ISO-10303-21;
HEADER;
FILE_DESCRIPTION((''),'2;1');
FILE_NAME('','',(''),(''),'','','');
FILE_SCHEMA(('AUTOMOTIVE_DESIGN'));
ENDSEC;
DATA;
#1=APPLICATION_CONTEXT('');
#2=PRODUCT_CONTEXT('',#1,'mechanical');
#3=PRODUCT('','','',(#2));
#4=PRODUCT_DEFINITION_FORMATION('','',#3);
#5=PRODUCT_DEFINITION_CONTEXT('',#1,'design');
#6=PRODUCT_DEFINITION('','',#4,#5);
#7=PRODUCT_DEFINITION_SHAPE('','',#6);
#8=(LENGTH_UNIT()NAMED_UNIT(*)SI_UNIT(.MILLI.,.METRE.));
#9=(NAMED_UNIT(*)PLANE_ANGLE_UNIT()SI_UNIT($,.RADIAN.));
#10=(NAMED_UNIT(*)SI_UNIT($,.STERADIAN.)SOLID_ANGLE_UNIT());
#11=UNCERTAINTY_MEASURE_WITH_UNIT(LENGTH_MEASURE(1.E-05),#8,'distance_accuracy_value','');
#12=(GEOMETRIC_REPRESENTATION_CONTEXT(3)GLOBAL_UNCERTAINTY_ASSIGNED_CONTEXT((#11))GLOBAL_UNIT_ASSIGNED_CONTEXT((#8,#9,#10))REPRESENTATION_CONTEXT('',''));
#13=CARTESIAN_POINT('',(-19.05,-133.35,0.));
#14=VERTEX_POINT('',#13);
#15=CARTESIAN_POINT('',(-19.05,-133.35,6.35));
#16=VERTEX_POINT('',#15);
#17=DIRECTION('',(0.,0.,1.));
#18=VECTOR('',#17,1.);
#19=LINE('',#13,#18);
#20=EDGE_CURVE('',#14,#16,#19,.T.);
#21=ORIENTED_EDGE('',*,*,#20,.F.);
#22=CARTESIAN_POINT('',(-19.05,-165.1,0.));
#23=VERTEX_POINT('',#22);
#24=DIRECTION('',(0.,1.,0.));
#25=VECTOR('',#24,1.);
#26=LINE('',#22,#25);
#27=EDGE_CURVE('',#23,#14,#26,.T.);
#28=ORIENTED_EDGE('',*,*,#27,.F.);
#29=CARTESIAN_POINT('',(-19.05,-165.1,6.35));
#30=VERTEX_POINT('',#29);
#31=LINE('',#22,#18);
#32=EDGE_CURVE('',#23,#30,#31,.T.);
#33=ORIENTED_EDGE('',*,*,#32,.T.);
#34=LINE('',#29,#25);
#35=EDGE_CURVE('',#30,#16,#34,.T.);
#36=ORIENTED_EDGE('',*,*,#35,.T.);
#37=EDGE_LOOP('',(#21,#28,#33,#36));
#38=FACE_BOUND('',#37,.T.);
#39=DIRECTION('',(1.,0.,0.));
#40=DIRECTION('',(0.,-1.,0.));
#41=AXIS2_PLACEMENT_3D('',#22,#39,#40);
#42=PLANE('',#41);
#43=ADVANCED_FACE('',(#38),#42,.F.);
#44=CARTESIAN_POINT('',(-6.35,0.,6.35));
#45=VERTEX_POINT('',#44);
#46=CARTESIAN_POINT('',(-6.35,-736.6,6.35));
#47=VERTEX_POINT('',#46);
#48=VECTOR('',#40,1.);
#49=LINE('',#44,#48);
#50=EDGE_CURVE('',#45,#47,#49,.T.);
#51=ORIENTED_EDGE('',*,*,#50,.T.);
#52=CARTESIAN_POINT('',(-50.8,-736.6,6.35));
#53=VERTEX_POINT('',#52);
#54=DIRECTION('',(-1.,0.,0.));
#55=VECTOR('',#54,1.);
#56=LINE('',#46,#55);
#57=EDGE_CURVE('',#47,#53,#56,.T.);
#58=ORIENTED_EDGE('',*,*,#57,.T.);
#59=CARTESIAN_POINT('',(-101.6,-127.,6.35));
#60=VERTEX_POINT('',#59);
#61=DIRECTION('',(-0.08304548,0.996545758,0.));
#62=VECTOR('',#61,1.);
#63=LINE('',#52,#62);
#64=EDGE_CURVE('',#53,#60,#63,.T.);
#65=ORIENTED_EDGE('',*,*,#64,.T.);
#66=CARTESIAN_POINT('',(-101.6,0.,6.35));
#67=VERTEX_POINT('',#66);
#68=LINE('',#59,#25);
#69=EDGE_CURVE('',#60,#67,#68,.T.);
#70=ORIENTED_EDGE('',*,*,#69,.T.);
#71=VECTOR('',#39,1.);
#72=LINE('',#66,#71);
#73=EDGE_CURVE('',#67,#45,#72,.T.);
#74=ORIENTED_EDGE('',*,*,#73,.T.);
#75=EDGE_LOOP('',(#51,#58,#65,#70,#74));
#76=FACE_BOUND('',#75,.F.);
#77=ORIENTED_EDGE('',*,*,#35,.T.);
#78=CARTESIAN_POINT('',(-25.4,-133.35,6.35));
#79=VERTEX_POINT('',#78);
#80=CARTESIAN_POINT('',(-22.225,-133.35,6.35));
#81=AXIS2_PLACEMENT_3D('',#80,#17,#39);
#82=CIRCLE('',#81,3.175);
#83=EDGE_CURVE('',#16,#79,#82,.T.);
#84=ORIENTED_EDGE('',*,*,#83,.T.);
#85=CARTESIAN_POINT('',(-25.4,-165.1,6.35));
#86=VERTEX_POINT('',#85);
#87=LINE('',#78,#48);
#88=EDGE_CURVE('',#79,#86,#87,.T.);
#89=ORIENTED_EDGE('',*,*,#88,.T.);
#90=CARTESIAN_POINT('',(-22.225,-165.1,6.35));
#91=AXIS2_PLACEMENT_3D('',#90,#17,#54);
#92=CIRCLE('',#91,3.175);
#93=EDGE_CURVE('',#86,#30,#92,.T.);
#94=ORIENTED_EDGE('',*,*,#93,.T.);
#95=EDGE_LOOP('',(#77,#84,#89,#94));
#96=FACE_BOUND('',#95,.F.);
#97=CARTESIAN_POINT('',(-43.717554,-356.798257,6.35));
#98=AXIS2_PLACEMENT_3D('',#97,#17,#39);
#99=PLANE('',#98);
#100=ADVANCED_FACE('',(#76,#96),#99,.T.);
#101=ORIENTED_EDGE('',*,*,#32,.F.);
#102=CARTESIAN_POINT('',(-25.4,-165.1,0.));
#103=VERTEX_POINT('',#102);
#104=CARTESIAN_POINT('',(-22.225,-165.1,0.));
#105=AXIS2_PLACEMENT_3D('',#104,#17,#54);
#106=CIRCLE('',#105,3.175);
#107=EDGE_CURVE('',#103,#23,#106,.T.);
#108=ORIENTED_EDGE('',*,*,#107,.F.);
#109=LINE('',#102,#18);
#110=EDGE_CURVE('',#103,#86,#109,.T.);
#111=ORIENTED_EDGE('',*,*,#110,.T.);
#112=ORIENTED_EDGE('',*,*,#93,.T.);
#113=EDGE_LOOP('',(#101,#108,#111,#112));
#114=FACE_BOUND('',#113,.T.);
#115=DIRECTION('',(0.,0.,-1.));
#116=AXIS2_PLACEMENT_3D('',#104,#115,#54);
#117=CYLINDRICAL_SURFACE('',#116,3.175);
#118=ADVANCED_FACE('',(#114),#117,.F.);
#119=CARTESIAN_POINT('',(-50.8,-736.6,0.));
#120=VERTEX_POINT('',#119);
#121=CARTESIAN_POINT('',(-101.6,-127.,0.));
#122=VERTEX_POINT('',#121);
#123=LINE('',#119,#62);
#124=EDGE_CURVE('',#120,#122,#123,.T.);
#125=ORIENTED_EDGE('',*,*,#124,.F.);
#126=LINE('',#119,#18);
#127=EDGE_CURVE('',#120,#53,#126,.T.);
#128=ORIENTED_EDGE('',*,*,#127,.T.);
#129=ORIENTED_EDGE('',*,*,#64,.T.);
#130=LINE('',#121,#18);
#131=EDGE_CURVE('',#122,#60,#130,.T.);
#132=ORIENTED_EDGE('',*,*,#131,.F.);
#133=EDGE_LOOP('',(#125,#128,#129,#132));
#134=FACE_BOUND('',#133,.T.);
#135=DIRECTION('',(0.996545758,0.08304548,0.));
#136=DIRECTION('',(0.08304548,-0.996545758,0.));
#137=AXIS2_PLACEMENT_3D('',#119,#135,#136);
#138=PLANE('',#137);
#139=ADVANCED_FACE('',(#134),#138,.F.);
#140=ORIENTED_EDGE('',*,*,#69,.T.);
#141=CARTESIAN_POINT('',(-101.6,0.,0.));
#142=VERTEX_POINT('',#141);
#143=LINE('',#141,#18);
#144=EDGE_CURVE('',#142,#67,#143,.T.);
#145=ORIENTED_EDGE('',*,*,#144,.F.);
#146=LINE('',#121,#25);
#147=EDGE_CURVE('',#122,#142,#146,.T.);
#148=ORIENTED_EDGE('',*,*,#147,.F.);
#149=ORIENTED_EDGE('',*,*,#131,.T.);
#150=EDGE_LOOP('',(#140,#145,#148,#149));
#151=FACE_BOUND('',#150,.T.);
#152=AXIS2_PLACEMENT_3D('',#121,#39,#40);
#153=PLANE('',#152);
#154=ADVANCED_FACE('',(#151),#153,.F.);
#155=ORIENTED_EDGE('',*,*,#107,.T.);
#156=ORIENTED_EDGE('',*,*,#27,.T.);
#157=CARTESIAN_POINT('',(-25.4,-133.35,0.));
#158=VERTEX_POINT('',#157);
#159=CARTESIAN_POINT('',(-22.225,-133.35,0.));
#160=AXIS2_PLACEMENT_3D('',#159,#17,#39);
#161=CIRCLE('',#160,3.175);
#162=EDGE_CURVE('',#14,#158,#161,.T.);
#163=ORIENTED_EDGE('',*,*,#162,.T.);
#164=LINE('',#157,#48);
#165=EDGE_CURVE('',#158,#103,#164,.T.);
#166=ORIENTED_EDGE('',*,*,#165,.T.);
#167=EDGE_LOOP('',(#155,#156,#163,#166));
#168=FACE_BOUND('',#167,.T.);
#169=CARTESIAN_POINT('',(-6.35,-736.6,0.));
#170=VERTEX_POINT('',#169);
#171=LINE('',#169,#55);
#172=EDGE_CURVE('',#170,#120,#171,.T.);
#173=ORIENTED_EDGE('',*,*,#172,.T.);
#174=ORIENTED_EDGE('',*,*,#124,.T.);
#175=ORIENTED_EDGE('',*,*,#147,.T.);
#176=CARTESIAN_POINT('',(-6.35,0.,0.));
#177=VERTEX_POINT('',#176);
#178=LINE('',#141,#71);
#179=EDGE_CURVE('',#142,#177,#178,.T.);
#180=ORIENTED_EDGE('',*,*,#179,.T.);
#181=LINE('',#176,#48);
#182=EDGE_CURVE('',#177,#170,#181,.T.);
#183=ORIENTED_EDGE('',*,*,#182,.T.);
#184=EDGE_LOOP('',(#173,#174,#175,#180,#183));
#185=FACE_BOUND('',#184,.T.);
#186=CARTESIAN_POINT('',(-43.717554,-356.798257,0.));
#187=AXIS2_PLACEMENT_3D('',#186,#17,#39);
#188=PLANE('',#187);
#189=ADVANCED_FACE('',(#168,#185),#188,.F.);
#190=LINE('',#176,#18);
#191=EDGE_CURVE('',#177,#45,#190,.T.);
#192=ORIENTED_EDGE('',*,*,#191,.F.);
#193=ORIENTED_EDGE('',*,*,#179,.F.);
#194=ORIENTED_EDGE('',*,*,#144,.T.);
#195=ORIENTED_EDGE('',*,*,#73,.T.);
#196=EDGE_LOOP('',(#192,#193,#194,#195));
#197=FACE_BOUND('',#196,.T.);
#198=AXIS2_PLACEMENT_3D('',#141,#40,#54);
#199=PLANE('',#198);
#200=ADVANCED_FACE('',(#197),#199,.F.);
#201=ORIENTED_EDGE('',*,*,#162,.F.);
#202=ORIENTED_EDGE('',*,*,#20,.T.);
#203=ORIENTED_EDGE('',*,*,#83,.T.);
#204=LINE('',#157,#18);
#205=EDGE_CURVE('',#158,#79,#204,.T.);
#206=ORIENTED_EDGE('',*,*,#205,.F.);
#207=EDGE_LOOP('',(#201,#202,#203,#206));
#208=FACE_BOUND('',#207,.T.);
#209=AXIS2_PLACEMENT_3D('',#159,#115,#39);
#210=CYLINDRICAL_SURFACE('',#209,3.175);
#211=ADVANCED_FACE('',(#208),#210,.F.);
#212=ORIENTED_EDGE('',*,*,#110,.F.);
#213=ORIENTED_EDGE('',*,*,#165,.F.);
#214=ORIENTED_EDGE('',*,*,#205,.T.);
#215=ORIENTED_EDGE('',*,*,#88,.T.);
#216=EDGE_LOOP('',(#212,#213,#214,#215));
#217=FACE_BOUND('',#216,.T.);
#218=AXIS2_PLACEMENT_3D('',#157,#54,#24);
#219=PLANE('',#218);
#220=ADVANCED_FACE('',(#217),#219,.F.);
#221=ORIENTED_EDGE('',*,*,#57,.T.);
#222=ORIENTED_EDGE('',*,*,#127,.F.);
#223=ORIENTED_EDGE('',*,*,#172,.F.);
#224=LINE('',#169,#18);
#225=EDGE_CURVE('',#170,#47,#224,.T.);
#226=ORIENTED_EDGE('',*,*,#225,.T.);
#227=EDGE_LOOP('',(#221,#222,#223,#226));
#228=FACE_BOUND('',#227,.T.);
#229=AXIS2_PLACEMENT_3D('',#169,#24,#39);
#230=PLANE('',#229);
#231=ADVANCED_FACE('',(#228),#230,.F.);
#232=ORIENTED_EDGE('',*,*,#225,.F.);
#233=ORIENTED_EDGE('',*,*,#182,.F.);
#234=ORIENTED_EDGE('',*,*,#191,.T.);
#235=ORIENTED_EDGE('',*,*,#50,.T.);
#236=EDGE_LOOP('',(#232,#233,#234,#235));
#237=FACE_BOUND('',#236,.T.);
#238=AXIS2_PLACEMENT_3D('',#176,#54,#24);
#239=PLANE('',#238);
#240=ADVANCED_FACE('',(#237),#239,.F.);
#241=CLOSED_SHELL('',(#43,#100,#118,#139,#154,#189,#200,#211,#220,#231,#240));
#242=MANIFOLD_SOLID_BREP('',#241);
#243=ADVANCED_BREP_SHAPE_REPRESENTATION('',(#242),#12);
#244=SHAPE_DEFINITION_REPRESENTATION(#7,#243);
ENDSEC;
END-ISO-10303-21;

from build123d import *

# Parameters (mm, degrees)
F1_DEPTH = 6.35


with BuildPart() as f1:
    # F0 (on Top) → F1 (new body)
    with BuildSketch(Plane.XY):
        Polygon((101.6, 0), (6.35, 0), (6.35, -736.6), (50.8, -736.6), (101.6, -127), align=None)
        with BuildLine():
            ThreePointArc((19.05, -133.35), (22.225, -130.175), (25.4, -133.35))
            Line((25.4, -133.35), (25.4, -165.1))
            ThreePointArc((25.4, -165.1), (22.225, -168.275), (19.05, -165.1))
            Line((19.05, -165.1), (19.05, -133.35))
        make_face(mode=Mode.SUBTRACT)
    extrude(amount=F1_DEPTH)


with BuildPart() as f2_1:
    # F2: instance of F1
    add(f1.part.mirror(Plane.YZ))


solid = f2_1.part
